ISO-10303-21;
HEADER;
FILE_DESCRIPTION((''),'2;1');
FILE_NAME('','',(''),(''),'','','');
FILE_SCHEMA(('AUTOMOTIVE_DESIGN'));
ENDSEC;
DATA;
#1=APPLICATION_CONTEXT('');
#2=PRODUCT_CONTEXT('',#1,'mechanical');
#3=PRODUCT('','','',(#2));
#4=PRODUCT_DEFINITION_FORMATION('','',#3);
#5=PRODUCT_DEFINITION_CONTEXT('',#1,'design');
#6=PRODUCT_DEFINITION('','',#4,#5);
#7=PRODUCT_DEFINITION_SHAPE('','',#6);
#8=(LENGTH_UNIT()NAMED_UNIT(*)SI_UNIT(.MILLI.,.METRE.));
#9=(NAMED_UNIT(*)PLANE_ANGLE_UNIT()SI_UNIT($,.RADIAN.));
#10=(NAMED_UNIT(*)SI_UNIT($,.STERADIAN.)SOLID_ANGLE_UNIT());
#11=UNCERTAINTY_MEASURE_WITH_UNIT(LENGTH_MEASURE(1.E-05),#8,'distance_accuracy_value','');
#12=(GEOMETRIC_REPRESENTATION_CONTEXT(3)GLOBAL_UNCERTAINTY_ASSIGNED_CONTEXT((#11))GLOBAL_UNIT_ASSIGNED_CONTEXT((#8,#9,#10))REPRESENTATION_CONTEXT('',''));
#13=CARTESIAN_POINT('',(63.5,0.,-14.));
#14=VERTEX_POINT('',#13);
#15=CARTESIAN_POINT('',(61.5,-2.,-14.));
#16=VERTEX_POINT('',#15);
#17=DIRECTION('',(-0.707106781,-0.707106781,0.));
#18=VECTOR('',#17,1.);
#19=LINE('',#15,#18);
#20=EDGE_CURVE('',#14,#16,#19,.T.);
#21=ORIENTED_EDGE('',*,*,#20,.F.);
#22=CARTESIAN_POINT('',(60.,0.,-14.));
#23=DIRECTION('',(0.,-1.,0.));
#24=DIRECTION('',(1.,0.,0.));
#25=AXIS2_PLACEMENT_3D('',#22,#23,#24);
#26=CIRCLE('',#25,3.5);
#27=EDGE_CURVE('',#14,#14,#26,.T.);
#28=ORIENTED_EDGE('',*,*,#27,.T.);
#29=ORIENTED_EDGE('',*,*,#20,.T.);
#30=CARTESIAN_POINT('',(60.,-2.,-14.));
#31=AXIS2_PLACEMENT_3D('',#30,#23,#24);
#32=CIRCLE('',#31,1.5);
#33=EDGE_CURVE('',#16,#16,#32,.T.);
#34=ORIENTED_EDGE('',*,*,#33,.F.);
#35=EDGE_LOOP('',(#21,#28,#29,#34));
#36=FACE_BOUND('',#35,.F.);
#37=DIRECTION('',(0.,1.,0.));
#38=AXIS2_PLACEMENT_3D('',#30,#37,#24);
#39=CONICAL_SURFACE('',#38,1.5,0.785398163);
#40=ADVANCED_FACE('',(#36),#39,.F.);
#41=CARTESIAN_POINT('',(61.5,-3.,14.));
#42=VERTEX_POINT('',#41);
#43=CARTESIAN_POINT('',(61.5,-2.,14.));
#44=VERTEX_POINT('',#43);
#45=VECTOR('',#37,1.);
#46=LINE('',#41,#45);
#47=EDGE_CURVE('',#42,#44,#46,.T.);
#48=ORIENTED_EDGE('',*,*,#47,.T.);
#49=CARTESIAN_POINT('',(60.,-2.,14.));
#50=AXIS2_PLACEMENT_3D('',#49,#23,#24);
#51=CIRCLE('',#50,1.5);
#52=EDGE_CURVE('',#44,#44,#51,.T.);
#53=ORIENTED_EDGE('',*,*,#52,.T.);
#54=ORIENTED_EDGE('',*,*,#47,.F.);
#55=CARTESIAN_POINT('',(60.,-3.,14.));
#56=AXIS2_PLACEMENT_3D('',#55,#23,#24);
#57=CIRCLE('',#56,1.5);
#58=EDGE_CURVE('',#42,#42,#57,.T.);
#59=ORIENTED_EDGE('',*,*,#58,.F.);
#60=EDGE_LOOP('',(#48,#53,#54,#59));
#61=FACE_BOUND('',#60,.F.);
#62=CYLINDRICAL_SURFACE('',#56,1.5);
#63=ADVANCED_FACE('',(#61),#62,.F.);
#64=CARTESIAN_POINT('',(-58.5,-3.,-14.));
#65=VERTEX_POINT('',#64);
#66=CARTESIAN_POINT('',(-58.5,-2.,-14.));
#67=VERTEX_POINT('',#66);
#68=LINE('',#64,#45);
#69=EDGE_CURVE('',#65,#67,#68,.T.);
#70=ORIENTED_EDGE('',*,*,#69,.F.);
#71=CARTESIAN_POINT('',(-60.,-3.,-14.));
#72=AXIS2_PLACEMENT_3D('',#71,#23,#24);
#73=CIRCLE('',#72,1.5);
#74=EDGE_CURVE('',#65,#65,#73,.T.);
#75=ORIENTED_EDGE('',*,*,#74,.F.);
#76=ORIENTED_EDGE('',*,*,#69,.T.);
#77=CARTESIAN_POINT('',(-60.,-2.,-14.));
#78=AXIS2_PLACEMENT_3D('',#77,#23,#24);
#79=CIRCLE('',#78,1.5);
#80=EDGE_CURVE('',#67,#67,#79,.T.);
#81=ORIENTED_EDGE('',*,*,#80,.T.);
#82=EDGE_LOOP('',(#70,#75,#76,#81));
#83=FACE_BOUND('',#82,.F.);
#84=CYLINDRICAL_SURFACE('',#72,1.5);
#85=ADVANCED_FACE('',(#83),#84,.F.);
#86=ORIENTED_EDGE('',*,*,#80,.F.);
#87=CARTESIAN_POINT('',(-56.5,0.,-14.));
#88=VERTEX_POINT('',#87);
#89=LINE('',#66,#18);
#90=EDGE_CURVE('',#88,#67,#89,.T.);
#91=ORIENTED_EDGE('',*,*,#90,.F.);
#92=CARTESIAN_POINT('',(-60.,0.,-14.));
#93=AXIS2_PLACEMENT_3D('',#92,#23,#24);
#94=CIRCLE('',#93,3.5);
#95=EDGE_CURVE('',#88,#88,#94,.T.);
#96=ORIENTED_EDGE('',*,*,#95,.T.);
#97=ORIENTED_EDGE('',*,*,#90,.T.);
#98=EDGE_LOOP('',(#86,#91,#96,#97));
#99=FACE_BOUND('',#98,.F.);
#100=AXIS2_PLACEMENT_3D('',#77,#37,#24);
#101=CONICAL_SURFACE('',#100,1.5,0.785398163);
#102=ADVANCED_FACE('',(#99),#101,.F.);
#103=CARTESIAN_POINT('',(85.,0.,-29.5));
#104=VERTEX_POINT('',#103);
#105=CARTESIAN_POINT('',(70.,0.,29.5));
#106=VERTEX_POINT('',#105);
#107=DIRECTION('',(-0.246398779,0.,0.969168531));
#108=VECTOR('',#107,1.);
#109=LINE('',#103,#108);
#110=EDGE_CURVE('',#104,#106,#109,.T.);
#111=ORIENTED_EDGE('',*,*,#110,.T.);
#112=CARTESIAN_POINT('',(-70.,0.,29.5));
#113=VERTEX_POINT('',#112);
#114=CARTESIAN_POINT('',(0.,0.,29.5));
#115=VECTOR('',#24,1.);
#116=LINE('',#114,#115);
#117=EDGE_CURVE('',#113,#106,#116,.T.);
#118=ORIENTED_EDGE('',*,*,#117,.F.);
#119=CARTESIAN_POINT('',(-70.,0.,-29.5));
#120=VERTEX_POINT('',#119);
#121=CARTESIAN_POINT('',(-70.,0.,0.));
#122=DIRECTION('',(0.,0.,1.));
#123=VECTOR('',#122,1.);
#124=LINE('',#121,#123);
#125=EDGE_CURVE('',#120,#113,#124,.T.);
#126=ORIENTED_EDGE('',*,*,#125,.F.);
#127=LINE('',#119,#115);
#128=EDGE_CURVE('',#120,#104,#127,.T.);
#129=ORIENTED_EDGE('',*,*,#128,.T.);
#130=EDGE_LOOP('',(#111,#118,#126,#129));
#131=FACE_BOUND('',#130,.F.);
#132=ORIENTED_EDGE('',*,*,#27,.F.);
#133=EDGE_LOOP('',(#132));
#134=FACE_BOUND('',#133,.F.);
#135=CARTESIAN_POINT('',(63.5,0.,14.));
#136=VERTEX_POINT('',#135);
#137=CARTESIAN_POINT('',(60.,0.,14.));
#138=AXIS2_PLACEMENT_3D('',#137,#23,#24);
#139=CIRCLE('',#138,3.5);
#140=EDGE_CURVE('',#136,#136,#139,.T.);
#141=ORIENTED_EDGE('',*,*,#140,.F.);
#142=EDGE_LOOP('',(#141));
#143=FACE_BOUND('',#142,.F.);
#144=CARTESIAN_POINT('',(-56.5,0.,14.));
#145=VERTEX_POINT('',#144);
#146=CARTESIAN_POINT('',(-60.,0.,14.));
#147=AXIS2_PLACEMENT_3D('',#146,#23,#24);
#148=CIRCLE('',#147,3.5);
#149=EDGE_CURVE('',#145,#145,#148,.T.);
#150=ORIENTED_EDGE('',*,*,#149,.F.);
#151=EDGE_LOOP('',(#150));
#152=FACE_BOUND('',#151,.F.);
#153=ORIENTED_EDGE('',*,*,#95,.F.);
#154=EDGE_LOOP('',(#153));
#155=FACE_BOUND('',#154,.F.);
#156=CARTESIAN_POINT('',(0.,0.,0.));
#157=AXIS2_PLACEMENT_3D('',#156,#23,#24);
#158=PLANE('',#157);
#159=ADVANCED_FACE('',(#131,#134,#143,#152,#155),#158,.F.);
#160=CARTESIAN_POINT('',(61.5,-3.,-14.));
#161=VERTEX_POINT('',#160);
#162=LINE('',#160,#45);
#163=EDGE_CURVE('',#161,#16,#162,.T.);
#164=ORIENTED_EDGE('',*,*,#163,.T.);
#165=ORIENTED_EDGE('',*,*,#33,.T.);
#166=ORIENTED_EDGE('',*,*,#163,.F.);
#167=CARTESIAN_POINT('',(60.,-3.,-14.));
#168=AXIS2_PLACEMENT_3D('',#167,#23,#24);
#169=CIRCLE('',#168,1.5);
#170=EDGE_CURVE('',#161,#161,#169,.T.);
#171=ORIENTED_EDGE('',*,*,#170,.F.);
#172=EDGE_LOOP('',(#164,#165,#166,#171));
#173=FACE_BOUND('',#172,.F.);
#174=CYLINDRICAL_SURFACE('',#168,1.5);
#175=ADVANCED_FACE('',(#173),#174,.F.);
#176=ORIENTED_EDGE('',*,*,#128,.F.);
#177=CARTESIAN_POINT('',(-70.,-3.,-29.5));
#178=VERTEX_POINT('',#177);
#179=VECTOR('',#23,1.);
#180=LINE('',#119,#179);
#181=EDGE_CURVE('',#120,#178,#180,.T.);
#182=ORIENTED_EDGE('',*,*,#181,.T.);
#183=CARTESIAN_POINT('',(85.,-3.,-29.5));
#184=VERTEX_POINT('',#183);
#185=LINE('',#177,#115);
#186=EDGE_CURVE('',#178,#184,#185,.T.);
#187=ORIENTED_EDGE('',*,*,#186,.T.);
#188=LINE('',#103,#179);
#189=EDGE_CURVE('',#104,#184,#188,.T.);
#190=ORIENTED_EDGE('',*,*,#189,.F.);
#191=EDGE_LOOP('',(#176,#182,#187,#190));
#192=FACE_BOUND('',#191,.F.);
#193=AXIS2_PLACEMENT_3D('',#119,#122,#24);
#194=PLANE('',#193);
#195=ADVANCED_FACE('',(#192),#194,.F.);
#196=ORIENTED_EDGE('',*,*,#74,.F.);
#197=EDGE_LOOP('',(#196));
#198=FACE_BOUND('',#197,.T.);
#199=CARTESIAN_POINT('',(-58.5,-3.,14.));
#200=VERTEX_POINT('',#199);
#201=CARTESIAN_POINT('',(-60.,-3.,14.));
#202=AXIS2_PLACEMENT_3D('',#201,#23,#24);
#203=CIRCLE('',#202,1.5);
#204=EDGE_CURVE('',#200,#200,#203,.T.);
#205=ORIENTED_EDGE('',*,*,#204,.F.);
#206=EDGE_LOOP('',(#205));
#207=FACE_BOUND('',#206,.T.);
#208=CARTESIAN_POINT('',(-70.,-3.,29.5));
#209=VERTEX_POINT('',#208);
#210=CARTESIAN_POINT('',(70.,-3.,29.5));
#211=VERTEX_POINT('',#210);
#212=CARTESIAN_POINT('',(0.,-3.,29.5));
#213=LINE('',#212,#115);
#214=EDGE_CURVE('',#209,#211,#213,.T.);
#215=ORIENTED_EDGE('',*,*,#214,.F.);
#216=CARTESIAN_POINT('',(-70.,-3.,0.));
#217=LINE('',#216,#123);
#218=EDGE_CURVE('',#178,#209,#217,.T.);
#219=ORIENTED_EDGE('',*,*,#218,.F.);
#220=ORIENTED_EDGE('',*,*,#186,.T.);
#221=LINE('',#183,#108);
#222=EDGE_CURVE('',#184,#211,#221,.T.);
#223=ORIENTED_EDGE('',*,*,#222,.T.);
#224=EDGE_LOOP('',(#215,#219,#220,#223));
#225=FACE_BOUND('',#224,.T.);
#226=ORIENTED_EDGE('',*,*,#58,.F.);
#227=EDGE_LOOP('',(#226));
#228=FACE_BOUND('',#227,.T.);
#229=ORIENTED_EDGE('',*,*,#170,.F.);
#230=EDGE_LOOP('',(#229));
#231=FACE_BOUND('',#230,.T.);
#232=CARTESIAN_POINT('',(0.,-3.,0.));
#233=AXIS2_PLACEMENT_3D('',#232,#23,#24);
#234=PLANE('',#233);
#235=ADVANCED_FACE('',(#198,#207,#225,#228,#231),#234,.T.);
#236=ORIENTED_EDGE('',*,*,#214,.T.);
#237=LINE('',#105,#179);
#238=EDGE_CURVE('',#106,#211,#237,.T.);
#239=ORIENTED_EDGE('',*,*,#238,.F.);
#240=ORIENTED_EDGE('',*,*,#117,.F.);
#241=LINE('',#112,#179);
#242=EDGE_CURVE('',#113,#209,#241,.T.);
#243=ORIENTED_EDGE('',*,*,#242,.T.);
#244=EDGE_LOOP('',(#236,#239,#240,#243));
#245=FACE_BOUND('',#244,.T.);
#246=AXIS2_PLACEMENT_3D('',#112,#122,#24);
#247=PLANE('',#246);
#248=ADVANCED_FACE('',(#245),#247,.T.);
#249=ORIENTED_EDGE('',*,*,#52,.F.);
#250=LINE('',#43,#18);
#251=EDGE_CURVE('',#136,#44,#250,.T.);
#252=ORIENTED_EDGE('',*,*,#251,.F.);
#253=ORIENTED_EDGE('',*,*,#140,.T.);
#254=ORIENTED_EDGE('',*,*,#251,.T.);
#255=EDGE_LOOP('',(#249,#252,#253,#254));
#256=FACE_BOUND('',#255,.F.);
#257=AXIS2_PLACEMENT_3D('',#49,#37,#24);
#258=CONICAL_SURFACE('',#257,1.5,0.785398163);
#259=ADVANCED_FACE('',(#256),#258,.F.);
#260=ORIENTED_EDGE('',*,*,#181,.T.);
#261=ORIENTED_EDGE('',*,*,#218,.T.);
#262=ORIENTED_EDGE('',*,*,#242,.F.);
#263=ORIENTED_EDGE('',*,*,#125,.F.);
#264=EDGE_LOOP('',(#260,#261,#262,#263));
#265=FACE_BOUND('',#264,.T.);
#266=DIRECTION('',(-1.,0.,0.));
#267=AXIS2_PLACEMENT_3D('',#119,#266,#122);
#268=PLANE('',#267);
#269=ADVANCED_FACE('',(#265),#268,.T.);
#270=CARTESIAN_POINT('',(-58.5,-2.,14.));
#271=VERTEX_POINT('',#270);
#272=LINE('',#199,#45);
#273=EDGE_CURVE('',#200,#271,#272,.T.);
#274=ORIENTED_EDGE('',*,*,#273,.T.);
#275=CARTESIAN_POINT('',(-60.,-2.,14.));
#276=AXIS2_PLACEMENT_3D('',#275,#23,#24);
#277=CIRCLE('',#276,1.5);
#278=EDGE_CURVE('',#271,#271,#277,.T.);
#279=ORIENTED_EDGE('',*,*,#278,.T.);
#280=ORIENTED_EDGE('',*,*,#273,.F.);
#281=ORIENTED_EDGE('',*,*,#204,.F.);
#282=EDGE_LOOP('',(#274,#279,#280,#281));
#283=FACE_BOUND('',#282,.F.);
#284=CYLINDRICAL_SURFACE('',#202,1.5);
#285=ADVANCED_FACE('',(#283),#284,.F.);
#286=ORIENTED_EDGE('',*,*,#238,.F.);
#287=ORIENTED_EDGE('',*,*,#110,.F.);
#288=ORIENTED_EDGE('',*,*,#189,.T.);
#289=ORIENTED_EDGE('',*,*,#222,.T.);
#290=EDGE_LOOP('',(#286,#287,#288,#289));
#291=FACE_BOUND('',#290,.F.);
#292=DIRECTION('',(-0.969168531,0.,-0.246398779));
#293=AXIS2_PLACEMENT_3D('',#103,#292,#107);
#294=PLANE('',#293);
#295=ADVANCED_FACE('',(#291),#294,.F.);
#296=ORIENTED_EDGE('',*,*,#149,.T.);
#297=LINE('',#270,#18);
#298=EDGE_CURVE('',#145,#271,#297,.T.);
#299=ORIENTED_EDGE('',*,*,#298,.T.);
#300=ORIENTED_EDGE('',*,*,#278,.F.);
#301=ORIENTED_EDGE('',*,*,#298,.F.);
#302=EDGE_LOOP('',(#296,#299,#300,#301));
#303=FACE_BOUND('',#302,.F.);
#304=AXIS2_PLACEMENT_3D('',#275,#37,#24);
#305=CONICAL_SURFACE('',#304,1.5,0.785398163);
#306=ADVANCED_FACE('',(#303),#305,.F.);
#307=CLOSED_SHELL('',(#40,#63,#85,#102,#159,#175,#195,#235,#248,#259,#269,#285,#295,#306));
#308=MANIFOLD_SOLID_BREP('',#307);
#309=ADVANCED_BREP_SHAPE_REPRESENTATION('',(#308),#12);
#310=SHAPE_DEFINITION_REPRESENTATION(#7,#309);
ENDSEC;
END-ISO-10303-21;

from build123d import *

# Parameters (mm, degrees)
F0_W     = 140
F0_H     = 59
F1_DEPTH = 3
F2_R     = 1.5
F3_DEPTH = 25
F4_SIZE  = 2


with BuildPart() as f1:
    # F0 (on Front) → F1 (new body)
    with BuildSketch(Plane.XZ):
        Rectangle(F0_W, F0_H)
        Polygon((85, -29.5), (70, 29.5), (70, -29.5), align=None)
    extrude(amount=F1_DEPTH)

    # F2 (on face) → F3 (cut)
    with BuildSketch(Plane.XZ.offset(3)):
        with Locations((-60, 14)):
            Circle(F2_R)
        with Locations((60, 14)):
            Circle(F2_R)
        with Locations((60, -14)):
            Circle(F2_R)
        with Locations((-60, -14)):
            Circle(F2_R)
    extrude(amount=-F3_DEPTH, mode=Mode.SUBTRACT)

    # F4
    f4_edges = [f1.edges().sort_by_distance(p)[0] for p in [
        (-61.5, 0, -14),
        (-61.5, 0, 14),
        (58.5, 0, -14),
        (58.5, 0, 14),
    ]]
    chamfer(f4_edges, length=F4_SIZE)


solid = f1.part
